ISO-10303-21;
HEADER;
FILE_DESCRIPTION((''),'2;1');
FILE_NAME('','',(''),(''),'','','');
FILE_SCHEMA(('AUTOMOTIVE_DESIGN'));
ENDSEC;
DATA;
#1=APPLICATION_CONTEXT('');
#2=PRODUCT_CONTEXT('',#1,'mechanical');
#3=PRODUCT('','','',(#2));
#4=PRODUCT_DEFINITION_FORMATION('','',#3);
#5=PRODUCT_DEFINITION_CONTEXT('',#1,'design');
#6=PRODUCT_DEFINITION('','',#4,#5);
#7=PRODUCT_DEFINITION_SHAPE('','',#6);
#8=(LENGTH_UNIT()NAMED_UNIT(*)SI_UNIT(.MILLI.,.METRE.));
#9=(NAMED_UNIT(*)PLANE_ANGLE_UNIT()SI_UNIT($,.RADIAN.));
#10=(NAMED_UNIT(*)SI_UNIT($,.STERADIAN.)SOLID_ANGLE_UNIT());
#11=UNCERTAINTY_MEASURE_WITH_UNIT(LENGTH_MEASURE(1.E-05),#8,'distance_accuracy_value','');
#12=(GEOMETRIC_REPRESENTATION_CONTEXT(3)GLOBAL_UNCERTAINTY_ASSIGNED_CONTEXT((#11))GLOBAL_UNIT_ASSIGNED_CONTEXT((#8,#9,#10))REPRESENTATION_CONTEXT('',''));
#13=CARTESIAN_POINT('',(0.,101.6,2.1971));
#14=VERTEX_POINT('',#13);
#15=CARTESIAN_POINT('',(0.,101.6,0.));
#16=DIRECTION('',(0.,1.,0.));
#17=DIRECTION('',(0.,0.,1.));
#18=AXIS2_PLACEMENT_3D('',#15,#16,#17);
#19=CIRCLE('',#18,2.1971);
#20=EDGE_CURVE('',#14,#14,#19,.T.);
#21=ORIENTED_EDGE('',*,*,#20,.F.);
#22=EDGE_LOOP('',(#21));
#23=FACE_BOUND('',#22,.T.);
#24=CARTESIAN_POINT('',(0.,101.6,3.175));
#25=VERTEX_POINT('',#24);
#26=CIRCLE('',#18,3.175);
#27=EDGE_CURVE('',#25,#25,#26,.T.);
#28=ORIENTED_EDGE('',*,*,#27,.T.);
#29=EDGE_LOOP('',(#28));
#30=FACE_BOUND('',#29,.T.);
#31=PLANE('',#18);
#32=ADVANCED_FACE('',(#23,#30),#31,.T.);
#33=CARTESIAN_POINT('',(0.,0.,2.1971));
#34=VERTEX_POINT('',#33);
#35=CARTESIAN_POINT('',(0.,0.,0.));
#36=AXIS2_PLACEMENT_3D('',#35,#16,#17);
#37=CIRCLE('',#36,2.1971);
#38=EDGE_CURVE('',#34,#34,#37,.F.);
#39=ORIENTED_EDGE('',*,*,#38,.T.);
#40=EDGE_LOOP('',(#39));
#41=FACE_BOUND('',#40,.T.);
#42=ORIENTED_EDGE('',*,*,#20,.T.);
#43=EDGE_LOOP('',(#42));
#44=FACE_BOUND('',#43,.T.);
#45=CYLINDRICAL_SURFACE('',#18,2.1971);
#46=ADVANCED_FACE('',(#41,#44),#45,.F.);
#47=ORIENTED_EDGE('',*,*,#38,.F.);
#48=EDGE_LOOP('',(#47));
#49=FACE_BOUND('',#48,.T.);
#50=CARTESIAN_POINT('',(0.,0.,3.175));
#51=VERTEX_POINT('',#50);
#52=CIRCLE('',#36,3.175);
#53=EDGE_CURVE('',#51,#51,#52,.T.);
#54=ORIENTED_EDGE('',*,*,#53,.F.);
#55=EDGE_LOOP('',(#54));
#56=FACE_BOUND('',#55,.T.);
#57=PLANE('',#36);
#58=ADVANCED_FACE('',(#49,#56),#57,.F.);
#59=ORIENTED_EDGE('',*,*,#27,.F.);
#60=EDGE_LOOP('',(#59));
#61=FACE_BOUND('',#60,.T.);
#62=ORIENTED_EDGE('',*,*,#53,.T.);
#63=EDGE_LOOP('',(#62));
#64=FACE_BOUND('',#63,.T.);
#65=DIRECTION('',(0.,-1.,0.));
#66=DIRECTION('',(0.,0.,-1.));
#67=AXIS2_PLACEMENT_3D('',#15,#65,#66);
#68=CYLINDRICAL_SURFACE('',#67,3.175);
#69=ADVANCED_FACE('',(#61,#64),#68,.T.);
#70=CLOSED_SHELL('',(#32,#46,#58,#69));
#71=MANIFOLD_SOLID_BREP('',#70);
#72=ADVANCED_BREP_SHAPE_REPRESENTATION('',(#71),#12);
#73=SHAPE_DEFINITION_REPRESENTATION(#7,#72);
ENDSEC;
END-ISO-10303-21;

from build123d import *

# Parameters (mm, degrees)
SKETCH1_R                   = 3.175
BOSS_EXTRUDE1_DEPTH         = 101.6
TAP_DRILL_FOR_8_HELICOIL1_D = 4.3942


with BuildPart() as part:
    # Sketch1 → Boss-Extrude1 (new body)
    with BuildSketch(Plane(origin=(0, 0, 0), x_dir=(1, 0, 0), z_dir=(0, 1, 0))):
        with Locations(Location((0, 0, 0), (0, 0, 270))):
            Circle(SKETCH1_R)
    extrude(amount=BOSS_EXTRUDE1_DEPTH)

    # Tap Drill for #8 Helicoil1 (through all)
    with Locations(Plane(origin=(0, 101.6, 0), x_dir=(1, 0, 0), z_dir=(0, 1, 0))):
        with Locations((0, 0)):
            Hole(TAP_DRILL_FOR_8_HELICOIL1_D / 2)


solid = part.part
